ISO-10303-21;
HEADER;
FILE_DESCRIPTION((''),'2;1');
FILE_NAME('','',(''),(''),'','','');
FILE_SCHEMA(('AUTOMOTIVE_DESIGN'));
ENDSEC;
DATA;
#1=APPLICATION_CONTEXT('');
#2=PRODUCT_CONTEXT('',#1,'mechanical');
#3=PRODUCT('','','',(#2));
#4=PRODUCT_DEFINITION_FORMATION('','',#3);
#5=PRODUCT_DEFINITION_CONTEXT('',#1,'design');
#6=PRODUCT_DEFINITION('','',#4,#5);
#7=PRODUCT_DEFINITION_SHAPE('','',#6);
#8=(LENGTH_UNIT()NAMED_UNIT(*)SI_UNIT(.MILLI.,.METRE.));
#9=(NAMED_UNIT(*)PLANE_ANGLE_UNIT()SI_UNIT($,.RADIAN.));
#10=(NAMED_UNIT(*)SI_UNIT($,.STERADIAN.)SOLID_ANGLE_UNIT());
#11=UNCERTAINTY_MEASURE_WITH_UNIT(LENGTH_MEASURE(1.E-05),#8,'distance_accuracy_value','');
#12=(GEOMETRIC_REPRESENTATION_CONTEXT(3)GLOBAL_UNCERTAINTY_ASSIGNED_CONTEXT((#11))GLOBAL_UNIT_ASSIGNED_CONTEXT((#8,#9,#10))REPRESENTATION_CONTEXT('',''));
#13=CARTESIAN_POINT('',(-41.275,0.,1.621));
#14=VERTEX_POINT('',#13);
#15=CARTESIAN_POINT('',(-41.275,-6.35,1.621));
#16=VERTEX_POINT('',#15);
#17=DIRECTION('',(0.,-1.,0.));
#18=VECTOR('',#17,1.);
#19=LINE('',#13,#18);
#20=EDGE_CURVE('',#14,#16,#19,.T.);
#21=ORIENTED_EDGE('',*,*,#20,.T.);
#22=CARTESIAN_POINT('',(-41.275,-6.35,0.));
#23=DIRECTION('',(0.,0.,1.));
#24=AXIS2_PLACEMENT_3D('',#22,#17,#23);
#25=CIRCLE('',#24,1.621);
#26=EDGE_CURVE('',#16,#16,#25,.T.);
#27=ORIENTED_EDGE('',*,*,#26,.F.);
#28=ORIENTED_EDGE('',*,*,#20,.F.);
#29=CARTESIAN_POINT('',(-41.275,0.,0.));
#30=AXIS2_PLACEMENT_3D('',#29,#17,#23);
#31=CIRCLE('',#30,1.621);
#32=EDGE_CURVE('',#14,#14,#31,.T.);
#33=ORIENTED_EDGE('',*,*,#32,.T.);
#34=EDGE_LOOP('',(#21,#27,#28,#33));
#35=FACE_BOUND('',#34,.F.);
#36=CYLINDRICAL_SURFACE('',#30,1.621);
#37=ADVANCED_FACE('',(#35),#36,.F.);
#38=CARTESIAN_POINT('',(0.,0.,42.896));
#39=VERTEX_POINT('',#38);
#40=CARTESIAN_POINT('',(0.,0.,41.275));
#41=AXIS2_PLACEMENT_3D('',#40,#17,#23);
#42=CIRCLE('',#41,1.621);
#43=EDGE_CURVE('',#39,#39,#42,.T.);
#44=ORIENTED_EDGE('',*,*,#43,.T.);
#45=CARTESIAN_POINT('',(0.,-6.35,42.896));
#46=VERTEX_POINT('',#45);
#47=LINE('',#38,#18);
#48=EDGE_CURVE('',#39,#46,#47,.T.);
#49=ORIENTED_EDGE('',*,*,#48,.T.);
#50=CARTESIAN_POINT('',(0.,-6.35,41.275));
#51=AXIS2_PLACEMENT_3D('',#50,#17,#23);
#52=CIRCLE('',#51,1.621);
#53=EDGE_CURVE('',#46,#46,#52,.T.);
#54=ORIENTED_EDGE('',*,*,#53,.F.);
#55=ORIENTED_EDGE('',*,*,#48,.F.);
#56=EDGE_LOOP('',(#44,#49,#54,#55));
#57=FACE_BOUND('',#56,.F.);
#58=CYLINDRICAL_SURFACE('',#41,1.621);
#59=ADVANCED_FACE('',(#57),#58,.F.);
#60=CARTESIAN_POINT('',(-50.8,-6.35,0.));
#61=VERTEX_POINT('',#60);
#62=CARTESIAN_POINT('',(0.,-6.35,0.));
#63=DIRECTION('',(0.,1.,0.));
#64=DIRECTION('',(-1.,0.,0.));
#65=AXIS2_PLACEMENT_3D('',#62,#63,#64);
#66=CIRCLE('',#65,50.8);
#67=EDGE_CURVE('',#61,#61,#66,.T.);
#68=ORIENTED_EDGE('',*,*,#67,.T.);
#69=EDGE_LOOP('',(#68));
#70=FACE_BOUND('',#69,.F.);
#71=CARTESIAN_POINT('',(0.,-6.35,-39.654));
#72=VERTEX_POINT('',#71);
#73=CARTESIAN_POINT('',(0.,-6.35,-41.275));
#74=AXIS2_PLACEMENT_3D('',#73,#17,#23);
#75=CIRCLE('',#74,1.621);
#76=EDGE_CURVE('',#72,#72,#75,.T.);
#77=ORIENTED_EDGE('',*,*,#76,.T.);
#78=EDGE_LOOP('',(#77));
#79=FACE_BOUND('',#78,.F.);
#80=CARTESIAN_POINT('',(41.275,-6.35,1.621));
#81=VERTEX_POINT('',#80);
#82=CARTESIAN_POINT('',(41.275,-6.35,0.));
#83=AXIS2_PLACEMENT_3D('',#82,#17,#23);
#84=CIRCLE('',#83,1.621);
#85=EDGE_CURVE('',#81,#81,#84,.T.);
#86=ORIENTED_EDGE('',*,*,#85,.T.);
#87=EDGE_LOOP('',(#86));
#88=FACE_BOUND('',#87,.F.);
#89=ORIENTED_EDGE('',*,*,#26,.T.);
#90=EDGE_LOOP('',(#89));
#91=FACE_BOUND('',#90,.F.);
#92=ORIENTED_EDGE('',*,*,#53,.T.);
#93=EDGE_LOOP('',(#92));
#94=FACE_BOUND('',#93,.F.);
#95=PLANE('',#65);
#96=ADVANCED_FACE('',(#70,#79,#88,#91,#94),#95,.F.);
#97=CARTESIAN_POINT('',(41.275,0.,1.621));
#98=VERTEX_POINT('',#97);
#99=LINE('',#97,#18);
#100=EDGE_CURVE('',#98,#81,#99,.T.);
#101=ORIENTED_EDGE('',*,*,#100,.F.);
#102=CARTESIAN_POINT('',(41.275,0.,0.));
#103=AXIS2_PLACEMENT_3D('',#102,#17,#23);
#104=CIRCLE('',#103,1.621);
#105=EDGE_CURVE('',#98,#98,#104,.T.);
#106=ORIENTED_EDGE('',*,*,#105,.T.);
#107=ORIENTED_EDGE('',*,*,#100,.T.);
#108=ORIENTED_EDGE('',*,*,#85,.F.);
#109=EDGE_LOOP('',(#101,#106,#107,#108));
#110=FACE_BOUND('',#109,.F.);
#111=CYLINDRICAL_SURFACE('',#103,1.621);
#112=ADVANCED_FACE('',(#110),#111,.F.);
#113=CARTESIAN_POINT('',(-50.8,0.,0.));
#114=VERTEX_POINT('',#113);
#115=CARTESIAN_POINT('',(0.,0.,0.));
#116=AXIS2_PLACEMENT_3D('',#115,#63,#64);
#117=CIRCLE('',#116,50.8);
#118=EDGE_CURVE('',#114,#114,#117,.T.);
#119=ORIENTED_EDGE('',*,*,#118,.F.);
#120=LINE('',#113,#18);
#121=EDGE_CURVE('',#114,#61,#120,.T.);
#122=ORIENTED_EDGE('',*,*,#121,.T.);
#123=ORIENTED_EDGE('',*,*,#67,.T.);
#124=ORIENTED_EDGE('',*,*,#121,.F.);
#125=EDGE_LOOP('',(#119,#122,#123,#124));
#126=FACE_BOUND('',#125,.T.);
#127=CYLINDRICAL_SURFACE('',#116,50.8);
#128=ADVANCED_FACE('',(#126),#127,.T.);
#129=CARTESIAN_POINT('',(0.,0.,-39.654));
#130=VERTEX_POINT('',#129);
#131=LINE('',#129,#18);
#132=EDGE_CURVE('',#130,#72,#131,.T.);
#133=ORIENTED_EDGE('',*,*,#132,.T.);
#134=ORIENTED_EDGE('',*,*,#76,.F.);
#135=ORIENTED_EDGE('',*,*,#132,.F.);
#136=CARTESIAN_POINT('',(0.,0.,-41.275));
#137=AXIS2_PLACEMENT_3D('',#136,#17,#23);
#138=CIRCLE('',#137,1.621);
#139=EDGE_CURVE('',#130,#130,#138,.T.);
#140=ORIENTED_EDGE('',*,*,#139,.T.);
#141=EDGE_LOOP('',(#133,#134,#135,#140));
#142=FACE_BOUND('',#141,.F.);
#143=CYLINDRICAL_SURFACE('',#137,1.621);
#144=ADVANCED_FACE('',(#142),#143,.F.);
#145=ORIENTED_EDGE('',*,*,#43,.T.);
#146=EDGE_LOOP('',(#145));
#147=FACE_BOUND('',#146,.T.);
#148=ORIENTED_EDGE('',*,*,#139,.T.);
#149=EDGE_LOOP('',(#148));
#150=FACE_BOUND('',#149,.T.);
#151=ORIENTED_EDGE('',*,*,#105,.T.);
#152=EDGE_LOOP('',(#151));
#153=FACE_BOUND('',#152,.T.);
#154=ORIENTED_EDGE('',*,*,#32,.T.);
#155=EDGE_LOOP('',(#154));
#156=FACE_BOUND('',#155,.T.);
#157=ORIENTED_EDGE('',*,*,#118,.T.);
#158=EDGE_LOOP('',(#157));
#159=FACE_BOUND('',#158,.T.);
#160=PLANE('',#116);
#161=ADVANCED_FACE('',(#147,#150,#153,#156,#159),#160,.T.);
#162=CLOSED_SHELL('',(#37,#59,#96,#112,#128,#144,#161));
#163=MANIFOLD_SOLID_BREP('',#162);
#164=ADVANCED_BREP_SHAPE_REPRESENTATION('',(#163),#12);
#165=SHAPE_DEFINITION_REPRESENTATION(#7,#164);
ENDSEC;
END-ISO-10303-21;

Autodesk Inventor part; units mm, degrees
ref_plane "YZ Plane" through (0, 0, 0) normal (1, 0, 0) x (0, 1, 0)
ref_plane "XZ Plane" through (0, 0, 0) normal (0, 1, 0) x (-1, 0, 0)
ref_plane "XY Plane" through (0, 0, 0) normal (0, 0, 1) x (1, 0, 0)
sketch "Sketch1" plane through (0, 0, 0) normal (0, 1, 0) x (-1, 0, 0)
  circle A0 centre (0, 0) radius 50.8
  circle A1 centre (0, 0) radius 41.275 construction
  point P0 (41.275, 0)
  point P1 (0, -41.275)
  point P2 (-41.275, 0)
  point P3 (0, 41.275)
  dimension "d0" = 101.6
  dimension "d1" = 82.55
extrude "Extrusion1" add sketch "Sketch1" against normal blind 6.35
hole "Hole1" at (-41.275, 0, 0) at (0, 0, -41.275) at (41.275, 0, 0) at (0, 0, 41.275) direction (0, -1, 0) diameter 3.242 end through all thread size "M4x0.7" class "6H" standard "ANSI Metric M Profile"
properties material "DELRIN 100, WHITE (EXTRUDED)"
